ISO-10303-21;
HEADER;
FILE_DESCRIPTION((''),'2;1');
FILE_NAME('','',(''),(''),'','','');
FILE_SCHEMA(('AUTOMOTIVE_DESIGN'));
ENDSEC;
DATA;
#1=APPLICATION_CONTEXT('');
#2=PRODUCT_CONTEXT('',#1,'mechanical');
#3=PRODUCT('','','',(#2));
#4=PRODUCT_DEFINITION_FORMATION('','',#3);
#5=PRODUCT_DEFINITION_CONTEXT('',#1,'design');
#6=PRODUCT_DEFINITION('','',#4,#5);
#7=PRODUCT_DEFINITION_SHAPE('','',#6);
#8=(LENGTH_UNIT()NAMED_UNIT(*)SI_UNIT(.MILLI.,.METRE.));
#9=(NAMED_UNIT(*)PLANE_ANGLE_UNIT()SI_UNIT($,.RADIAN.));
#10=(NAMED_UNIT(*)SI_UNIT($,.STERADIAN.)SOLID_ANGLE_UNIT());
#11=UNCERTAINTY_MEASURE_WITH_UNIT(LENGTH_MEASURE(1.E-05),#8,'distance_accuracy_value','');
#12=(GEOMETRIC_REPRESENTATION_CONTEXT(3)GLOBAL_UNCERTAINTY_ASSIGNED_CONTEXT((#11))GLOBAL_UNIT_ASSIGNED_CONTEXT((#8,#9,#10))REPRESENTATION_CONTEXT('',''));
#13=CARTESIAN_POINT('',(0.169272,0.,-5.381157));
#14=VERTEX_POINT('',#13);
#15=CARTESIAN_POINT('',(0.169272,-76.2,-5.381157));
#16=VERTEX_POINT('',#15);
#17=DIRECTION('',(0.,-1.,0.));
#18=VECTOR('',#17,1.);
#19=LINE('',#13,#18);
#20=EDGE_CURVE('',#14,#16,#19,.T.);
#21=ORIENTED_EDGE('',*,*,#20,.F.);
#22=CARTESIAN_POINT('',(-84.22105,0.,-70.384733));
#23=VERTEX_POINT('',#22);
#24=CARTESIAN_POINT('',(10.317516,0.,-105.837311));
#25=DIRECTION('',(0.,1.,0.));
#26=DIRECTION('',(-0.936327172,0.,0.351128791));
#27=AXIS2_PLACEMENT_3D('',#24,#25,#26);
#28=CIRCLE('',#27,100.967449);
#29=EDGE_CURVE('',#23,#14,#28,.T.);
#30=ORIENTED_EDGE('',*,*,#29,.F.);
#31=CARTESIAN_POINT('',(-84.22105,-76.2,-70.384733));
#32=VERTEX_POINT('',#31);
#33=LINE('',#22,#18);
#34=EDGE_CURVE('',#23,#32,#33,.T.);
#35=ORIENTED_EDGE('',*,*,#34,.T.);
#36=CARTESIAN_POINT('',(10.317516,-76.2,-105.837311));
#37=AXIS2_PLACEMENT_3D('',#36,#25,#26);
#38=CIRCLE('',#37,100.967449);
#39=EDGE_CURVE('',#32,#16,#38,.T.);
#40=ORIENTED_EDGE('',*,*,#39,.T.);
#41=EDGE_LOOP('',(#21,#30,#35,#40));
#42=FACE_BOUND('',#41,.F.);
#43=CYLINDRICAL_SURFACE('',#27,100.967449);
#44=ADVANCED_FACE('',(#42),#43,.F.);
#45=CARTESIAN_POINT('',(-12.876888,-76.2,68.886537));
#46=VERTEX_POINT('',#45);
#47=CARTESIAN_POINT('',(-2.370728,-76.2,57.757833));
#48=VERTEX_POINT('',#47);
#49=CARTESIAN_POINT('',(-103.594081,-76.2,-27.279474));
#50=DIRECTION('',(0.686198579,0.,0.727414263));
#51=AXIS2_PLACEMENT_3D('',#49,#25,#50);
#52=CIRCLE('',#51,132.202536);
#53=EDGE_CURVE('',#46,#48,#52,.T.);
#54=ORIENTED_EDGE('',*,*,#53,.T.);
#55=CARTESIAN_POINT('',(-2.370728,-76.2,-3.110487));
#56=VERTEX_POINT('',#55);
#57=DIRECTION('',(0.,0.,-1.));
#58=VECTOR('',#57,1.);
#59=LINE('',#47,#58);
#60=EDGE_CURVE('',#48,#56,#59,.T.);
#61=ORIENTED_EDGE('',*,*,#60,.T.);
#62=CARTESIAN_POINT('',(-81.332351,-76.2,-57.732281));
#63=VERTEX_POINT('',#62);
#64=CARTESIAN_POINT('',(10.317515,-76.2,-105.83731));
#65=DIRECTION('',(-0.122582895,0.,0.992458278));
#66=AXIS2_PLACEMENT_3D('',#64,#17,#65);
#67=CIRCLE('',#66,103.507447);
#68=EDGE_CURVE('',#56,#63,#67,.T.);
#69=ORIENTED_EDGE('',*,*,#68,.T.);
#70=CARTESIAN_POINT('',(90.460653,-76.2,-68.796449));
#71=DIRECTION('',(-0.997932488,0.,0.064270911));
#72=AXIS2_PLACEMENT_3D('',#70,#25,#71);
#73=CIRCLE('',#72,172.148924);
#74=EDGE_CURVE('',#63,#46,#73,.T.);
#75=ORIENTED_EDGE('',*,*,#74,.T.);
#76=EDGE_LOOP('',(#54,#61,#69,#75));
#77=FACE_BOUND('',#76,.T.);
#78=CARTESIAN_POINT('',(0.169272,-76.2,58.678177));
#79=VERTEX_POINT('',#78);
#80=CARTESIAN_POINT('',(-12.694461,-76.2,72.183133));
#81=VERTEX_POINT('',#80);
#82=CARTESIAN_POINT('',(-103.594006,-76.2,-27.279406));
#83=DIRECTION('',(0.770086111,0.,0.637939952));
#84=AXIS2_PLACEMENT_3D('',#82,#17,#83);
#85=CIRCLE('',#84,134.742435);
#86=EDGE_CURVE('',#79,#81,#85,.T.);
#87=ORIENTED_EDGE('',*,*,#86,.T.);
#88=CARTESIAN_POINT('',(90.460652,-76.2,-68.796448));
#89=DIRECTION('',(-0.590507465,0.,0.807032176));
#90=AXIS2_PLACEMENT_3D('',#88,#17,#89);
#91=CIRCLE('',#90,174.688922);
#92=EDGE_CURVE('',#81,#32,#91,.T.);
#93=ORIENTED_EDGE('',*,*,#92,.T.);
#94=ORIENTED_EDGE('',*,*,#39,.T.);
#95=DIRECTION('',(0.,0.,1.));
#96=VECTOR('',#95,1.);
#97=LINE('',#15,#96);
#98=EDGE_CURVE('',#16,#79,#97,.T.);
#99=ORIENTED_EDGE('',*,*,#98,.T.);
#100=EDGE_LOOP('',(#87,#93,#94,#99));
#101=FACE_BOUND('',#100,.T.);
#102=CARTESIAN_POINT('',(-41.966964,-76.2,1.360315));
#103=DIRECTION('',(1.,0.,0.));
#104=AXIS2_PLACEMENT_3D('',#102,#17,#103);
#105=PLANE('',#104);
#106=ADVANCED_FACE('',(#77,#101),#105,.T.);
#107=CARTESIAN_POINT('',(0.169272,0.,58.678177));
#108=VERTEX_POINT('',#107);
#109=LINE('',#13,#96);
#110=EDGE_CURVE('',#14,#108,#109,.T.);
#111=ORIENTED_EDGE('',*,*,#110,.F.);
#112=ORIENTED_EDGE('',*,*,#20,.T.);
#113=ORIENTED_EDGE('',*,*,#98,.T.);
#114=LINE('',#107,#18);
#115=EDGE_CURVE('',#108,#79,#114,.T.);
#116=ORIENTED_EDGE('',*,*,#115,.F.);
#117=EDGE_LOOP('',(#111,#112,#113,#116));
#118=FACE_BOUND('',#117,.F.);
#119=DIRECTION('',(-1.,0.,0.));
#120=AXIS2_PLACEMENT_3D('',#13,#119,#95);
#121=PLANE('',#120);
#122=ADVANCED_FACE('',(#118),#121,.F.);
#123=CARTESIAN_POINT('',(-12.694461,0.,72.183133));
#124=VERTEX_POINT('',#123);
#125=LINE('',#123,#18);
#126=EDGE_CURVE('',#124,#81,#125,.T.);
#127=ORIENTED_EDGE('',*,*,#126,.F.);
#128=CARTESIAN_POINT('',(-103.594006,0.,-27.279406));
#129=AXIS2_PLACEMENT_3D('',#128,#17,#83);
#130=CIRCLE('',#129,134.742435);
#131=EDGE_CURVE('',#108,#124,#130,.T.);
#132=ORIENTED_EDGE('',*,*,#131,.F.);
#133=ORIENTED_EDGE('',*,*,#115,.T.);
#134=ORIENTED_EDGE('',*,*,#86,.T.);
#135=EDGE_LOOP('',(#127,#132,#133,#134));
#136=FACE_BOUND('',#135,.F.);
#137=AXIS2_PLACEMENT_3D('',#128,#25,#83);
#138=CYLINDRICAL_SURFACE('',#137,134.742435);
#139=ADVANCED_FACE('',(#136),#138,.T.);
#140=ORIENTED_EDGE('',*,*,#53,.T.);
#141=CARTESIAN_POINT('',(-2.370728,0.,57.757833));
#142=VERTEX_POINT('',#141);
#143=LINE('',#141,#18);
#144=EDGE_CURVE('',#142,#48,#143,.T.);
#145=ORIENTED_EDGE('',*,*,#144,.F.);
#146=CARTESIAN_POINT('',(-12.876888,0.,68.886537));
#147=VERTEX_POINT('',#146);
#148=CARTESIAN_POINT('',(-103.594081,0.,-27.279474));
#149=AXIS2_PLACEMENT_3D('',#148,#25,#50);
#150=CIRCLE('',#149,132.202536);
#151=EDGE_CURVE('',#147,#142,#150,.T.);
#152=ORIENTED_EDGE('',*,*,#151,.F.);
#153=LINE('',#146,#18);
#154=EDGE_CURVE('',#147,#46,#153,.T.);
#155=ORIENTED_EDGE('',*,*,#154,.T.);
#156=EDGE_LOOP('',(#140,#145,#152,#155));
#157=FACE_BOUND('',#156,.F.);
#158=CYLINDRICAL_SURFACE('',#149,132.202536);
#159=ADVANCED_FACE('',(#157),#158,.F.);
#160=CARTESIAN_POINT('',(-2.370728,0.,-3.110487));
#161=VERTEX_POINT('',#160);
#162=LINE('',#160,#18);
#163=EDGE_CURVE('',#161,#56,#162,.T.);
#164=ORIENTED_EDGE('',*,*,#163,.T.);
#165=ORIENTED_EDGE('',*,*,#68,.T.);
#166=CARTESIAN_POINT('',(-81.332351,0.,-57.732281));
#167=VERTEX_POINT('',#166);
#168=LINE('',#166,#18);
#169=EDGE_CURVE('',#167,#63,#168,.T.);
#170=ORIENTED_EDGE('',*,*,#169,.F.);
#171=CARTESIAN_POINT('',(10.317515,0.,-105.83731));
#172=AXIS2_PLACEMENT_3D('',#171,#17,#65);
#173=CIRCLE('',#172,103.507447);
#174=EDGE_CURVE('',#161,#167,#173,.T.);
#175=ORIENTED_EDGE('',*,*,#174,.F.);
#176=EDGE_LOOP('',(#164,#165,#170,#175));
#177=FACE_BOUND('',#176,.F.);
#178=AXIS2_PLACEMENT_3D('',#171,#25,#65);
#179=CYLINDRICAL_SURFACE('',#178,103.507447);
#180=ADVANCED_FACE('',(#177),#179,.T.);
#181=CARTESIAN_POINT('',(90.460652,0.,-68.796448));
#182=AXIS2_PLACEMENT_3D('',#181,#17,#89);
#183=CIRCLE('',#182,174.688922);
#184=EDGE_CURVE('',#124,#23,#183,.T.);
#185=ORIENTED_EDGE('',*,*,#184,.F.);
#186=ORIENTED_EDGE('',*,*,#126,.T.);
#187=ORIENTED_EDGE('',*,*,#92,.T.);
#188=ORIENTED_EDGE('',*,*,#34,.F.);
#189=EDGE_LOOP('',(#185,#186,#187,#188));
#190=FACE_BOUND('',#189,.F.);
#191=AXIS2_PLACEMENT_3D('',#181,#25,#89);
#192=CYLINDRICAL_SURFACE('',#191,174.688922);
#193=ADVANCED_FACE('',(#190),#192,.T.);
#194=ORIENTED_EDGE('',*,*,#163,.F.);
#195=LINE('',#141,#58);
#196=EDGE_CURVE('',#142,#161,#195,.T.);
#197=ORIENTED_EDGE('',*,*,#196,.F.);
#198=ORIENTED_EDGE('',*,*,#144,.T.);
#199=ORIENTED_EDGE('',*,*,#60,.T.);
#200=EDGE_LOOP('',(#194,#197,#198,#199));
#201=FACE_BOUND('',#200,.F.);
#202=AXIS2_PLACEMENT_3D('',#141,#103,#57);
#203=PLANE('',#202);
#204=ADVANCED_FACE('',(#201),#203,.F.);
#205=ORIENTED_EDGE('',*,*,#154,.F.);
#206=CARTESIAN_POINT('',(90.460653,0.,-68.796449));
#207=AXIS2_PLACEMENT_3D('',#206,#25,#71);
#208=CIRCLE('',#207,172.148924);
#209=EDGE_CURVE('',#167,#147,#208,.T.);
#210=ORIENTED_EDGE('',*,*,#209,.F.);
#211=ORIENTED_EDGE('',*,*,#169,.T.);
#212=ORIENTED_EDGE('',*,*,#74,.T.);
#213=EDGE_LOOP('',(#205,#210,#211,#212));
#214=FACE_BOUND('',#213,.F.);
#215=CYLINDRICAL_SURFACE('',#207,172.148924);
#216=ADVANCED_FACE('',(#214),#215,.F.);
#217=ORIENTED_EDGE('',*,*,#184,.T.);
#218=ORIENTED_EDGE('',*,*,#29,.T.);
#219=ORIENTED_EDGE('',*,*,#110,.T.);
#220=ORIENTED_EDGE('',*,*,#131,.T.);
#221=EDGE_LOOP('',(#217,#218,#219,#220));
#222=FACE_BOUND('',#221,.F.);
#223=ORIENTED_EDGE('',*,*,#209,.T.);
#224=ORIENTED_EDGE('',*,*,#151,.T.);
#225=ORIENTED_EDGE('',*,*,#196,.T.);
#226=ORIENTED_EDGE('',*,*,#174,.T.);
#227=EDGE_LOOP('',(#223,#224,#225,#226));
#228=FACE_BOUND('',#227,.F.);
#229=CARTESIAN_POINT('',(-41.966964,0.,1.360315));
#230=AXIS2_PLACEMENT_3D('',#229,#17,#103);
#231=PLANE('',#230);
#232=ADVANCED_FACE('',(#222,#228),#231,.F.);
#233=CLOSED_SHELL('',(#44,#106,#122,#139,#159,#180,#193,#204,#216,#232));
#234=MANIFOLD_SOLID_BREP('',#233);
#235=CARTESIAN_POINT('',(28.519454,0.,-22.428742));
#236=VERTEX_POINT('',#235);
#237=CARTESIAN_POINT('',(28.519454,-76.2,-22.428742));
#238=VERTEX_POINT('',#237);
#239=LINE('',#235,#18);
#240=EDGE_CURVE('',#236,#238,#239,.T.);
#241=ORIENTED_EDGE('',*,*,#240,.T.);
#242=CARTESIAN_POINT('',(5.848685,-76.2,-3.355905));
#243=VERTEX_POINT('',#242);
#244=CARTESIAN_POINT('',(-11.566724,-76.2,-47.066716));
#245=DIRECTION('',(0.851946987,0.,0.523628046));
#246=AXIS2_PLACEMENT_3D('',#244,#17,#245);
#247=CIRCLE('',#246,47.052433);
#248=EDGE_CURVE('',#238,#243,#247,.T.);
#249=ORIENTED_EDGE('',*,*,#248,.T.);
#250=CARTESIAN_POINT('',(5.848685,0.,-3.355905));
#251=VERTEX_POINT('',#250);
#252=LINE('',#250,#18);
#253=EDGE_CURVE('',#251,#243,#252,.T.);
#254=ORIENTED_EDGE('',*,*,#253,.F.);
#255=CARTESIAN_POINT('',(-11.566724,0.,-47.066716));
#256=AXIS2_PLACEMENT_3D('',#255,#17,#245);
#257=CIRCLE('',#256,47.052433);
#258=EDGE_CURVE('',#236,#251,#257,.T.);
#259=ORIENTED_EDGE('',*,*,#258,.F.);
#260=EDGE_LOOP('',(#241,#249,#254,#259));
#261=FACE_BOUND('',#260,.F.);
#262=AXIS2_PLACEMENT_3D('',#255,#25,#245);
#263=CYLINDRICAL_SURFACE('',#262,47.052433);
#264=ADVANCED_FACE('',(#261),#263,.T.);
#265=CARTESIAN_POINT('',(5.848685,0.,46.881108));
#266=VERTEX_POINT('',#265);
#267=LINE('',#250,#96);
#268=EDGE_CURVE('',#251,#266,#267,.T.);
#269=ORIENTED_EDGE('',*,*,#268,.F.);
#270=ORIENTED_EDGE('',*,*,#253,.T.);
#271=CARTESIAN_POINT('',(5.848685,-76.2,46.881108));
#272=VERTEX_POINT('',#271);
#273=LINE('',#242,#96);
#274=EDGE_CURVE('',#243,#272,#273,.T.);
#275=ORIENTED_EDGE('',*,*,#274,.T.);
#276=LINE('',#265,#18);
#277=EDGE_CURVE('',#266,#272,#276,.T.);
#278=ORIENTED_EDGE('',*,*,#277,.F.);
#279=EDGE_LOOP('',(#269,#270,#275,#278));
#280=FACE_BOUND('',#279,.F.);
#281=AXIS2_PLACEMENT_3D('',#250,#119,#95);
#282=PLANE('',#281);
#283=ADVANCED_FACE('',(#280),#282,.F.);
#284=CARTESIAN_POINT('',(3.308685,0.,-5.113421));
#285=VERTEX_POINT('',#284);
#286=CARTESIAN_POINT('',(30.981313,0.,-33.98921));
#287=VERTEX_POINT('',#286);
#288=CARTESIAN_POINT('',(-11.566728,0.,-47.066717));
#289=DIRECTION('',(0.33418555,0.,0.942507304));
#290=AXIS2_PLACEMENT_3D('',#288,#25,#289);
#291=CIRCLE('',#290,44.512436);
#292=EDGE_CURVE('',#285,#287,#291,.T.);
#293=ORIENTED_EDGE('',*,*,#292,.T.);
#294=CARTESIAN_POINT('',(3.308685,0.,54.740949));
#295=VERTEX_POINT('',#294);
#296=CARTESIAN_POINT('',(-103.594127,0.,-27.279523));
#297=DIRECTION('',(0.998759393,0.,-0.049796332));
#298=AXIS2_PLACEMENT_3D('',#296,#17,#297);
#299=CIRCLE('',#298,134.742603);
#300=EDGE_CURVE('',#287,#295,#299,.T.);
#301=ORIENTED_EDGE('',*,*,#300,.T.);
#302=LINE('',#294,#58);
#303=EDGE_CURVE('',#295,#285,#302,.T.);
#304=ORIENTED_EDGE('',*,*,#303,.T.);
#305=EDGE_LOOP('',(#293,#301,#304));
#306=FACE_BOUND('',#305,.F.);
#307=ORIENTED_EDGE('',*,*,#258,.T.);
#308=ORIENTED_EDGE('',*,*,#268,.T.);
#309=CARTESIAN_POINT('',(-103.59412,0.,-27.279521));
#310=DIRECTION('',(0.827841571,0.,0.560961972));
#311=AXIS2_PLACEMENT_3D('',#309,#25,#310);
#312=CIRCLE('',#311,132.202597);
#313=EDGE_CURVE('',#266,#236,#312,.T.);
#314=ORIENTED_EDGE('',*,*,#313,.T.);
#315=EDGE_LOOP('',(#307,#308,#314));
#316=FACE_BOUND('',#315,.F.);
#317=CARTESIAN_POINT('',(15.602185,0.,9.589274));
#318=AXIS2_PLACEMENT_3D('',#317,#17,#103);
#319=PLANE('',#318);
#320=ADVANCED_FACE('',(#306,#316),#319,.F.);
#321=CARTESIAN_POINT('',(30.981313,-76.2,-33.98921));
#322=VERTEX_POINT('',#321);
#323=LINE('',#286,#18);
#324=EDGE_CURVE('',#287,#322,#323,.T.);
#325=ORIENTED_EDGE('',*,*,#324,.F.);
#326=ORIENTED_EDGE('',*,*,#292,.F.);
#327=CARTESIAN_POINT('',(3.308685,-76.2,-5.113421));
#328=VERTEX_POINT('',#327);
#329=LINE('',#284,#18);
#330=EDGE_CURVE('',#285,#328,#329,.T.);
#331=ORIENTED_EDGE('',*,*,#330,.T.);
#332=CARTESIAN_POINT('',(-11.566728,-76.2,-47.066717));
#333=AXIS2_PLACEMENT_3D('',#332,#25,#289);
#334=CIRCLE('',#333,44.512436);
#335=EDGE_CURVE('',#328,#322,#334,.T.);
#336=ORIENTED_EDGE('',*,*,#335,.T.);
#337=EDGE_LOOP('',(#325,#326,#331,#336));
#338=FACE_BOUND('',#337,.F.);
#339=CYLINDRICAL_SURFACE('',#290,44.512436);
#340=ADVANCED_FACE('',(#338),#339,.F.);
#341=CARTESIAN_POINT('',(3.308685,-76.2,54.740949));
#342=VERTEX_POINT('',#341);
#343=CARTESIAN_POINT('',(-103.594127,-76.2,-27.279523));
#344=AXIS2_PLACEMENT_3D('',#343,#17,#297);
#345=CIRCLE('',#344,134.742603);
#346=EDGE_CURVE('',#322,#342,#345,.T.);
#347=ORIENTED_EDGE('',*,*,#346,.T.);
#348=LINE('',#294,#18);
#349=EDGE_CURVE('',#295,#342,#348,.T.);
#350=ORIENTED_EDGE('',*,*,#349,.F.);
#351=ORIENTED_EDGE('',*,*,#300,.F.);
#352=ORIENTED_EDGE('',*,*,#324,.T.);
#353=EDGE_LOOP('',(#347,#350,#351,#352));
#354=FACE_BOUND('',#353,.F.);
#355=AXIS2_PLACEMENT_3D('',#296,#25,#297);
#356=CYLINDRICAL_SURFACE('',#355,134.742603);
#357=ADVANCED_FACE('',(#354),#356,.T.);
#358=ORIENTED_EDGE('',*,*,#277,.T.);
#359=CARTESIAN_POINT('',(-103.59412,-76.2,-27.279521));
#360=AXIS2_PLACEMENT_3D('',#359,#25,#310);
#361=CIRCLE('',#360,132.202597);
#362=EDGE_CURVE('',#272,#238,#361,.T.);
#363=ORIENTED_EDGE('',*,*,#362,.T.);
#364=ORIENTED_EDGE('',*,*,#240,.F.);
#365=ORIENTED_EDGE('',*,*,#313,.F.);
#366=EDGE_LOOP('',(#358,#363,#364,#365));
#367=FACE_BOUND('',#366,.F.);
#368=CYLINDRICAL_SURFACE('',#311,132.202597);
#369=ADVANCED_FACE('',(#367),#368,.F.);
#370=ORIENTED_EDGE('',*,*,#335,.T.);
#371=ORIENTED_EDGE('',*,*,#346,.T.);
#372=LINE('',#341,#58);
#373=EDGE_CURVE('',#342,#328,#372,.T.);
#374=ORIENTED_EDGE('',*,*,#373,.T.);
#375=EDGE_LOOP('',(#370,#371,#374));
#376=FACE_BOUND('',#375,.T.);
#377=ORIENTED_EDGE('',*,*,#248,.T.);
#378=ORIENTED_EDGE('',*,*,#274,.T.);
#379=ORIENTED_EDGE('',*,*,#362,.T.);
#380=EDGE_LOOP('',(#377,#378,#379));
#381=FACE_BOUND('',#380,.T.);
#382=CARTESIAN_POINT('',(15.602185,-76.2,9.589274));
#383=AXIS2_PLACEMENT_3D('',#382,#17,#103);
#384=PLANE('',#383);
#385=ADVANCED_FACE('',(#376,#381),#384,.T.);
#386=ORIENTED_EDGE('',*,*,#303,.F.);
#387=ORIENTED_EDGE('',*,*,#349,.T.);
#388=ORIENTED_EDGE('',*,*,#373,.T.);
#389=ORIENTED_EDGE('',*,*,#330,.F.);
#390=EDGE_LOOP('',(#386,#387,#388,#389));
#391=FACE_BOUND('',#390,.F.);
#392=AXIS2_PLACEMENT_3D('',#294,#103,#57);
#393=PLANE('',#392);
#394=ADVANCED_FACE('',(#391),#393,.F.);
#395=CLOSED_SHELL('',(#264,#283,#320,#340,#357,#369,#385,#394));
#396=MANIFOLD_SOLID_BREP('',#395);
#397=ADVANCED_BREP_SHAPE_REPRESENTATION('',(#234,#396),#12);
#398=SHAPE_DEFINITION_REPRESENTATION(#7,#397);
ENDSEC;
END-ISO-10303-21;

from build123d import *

# Parameters (mm, degrees)
F1_DEPTH = 76.2


with BuildPart() as f1:
    # F0 (on Front) → F1 (new body)
    with BuildSketch(Plane.XZ):
        with BuildLine():
            ThreePointArc((0.169272, 58.678177), (-6.028645, 65.653496), (-12.694461, 72.183133))
            ThreePointArc((-12.694461, 72.183133), (-65.679423, 9.539346), (-84.22105, -70.384733))
            ThreePointArc((-84.22105, -70.384733), (-51.29578, -25.84839), (0.169272, -5.381157))
            Line((0.169272, -5.381157), (0.169272, 58.678177))
        make_face()
        with BuildLine():
            ThreePointArc((-81.332351, -57.732281), (-60.973443, 13.075198), (-12.876888, 68.886537))
            ThreePointArc((-12.876888, 68.886537), (-7.462633, 63.474344), (-2.370728, 57.757833))
            Line((-2.370728, 57.757833), (-2.370728, -3.110487))
            ThreePointArc((-2.370728, -3.110487), (-48.567927, -20.712129), (-81.332351, -57.732281))
        make_face(mode=Mode.SUBTRACT)
        with BuildLine():
            ThreePointArc((3.308685, -5.113421), (20.570728, -16.268326), (30.981313, -33.98921))
            ThreePointArc((30.981313, -33.98921), (25.037894, 12.837458), (3.308685, 54.740949))
            Line((3.308685, 54.740949), (3.308685, -5.113421))
        make_face()
        with BuildLine():
            ThreePointArc((5.848685, 46.881108), (22.057521, 13.820255), (28.519454, -22.428742))
            ThreePointArc((28.519454, -22.428742), (18.724387, -11.061438), (5.848685, -3.355905))
            Line((5.848685, -3.355905), (5.848685, 46.881108))
        make_face(mode=Mode.SUBTRACT)
    extrude(amount=F1_DEPTH)


solid = f1.part
